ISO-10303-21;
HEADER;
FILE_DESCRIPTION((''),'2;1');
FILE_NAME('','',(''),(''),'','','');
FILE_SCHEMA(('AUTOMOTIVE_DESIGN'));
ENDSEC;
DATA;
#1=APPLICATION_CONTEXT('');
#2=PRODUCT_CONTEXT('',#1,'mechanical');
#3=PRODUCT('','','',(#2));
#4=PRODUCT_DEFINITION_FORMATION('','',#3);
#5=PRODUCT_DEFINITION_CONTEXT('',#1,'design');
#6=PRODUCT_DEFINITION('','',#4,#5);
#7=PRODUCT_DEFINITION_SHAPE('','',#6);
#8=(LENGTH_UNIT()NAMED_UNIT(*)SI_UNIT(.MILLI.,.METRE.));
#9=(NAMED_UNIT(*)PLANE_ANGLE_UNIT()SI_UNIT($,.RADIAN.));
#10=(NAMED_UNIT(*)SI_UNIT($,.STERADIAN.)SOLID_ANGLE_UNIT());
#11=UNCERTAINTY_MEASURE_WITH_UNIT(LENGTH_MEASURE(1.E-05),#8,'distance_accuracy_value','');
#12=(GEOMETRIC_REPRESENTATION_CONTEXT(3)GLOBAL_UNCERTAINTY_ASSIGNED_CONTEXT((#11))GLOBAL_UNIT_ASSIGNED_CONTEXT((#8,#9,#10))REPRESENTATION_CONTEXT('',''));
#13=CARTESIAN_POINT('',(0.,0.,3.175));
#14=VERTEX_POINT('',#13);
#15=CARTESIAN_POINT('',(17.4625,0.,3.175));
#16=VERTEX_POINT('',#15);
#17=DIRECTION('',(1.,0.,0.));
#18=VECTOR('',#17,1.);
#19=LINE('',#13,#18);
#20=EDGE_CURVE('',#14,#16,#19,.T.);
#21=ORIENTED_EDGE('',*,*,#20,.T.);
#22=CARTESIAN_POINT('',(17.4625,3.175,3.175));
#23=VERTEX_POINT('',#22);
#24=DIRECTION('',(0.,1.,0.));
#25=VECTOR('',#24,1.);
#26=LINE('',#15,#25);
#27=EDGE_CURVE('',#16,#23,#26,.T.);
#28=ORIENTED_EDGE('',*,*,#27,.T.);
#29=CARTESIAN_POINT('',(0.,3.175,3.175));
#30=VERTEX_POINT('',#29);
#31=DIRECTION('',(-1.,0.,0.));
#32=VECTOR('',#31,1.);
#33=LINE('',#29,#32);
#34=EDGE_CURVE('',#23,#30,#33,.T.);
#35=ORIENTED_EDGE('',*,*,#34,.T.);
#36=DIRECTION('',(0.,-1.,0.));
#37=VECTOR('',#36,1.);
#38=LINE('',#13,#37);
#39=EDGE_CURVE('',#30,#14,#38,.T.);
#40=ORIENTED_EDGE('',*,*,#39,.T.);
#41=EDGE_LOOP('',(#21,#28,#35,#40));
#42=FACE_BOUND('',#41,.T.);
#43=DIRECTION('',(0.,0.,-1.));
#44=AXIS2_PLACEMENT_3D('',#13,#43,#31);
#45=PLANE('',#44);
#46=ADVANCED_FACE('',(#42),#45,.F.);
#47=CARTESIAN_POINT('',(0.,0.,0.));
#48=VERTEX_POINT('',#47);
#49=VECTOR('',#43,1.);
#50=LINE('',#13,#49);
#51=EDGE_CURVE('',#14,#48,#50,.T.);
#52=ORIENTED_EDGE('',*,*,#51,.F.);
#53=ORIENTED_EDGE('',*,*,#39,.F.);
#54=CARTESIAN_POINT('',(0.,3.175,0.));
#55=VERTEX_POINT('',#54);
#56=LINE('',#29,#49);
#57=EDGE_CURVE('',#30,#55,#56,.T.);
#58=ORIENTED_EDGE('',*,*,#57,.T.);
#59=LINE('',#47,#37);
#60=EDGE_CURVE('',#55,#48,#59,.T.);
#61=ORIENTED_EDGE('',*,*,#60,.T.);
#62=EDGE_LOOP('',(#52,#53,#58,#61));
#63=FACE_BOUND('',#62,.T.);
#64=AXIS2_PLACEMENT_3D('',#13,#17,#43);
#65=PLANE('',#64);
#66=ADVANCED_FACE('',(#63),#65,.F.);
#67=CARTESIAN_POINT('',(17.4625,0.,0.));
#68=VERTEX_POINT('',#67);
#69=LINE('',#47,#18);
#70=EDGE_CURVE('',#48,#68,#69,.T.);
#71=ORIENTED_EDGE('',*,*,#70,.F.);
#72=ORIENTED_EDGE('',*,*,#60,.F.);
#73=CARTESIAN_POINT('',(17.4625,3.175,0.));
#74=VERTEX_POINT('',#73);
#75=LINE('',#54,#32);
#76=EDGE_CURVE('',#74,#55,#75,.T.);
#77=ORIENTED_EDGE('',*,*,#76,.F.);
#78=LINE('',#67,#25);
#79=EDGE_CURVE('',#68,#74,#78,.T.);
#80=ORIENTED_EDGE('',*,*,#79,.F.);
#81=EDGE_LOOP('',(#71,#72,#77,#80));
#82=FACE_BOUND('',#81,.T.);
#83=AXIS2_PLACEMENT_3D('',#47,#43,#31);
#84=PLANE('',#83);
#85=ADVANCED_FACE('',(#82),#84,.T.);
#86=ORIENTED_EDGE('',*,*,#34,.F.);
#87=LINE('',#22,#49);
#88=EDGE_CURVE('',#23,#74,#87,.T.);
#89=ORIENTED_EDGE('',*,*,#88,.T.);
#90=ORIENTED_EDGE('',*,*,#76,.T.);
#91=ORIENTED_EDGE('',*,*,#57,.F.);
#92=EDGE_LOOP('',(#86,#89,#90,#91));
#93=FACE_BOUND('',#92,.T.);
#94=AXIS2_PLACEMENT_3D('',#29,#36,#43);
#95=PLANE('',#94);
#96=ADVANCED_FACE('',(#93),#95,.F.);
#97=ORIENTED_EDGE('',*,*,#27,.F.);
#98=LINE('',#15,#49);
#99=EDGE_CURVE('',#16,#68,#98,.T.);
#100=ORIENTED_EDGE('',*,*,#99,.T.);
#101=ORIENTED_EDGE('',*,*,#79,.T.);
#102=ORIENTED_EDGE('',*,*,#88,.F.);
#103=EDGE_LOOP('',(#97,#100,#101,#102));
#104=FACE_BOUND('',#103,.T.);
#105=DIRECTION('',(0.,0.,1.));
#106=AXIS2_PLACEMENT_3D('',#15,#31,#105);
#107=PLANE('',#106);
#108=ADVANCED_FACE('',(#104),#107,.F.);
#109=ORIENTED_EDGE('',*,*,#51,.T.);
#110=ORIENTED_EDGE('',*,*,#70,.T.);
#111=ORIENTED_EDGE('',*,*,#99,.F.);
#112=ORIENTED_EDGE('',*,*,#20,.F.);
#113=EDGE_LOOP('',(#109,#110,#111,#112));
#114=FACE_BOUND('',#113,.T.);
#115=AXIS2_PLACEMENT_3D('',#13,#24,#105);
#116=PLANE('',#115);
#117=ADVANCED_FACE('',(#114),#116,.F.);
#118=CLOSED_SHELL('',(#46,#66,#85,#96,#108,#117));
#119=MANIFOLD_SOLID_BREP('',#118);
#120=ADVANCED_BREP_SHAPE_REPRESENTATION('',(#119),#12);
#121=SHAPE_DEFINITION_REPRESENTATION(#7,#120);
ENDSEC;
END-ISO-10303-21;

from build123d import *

# Parameters (mm, degrees)
SKETCH1_W           = 17.4625
SKETCH1_H           = 3.175
BOSS_EXTRUDE1_DEPTH = 3.175


with BuildPart() as part:
    # Sketch1 → Boss-Extrude1 (new body)
    with BuildSketch(Plane.XY):
        with Locations((8.73125, 1.5875)):
            Rectangle(SKETCH1_W, SKETCH1_H)
    extrude(amount=BOSS_EXTRUDE1_DEPTH)


solid = part.part
